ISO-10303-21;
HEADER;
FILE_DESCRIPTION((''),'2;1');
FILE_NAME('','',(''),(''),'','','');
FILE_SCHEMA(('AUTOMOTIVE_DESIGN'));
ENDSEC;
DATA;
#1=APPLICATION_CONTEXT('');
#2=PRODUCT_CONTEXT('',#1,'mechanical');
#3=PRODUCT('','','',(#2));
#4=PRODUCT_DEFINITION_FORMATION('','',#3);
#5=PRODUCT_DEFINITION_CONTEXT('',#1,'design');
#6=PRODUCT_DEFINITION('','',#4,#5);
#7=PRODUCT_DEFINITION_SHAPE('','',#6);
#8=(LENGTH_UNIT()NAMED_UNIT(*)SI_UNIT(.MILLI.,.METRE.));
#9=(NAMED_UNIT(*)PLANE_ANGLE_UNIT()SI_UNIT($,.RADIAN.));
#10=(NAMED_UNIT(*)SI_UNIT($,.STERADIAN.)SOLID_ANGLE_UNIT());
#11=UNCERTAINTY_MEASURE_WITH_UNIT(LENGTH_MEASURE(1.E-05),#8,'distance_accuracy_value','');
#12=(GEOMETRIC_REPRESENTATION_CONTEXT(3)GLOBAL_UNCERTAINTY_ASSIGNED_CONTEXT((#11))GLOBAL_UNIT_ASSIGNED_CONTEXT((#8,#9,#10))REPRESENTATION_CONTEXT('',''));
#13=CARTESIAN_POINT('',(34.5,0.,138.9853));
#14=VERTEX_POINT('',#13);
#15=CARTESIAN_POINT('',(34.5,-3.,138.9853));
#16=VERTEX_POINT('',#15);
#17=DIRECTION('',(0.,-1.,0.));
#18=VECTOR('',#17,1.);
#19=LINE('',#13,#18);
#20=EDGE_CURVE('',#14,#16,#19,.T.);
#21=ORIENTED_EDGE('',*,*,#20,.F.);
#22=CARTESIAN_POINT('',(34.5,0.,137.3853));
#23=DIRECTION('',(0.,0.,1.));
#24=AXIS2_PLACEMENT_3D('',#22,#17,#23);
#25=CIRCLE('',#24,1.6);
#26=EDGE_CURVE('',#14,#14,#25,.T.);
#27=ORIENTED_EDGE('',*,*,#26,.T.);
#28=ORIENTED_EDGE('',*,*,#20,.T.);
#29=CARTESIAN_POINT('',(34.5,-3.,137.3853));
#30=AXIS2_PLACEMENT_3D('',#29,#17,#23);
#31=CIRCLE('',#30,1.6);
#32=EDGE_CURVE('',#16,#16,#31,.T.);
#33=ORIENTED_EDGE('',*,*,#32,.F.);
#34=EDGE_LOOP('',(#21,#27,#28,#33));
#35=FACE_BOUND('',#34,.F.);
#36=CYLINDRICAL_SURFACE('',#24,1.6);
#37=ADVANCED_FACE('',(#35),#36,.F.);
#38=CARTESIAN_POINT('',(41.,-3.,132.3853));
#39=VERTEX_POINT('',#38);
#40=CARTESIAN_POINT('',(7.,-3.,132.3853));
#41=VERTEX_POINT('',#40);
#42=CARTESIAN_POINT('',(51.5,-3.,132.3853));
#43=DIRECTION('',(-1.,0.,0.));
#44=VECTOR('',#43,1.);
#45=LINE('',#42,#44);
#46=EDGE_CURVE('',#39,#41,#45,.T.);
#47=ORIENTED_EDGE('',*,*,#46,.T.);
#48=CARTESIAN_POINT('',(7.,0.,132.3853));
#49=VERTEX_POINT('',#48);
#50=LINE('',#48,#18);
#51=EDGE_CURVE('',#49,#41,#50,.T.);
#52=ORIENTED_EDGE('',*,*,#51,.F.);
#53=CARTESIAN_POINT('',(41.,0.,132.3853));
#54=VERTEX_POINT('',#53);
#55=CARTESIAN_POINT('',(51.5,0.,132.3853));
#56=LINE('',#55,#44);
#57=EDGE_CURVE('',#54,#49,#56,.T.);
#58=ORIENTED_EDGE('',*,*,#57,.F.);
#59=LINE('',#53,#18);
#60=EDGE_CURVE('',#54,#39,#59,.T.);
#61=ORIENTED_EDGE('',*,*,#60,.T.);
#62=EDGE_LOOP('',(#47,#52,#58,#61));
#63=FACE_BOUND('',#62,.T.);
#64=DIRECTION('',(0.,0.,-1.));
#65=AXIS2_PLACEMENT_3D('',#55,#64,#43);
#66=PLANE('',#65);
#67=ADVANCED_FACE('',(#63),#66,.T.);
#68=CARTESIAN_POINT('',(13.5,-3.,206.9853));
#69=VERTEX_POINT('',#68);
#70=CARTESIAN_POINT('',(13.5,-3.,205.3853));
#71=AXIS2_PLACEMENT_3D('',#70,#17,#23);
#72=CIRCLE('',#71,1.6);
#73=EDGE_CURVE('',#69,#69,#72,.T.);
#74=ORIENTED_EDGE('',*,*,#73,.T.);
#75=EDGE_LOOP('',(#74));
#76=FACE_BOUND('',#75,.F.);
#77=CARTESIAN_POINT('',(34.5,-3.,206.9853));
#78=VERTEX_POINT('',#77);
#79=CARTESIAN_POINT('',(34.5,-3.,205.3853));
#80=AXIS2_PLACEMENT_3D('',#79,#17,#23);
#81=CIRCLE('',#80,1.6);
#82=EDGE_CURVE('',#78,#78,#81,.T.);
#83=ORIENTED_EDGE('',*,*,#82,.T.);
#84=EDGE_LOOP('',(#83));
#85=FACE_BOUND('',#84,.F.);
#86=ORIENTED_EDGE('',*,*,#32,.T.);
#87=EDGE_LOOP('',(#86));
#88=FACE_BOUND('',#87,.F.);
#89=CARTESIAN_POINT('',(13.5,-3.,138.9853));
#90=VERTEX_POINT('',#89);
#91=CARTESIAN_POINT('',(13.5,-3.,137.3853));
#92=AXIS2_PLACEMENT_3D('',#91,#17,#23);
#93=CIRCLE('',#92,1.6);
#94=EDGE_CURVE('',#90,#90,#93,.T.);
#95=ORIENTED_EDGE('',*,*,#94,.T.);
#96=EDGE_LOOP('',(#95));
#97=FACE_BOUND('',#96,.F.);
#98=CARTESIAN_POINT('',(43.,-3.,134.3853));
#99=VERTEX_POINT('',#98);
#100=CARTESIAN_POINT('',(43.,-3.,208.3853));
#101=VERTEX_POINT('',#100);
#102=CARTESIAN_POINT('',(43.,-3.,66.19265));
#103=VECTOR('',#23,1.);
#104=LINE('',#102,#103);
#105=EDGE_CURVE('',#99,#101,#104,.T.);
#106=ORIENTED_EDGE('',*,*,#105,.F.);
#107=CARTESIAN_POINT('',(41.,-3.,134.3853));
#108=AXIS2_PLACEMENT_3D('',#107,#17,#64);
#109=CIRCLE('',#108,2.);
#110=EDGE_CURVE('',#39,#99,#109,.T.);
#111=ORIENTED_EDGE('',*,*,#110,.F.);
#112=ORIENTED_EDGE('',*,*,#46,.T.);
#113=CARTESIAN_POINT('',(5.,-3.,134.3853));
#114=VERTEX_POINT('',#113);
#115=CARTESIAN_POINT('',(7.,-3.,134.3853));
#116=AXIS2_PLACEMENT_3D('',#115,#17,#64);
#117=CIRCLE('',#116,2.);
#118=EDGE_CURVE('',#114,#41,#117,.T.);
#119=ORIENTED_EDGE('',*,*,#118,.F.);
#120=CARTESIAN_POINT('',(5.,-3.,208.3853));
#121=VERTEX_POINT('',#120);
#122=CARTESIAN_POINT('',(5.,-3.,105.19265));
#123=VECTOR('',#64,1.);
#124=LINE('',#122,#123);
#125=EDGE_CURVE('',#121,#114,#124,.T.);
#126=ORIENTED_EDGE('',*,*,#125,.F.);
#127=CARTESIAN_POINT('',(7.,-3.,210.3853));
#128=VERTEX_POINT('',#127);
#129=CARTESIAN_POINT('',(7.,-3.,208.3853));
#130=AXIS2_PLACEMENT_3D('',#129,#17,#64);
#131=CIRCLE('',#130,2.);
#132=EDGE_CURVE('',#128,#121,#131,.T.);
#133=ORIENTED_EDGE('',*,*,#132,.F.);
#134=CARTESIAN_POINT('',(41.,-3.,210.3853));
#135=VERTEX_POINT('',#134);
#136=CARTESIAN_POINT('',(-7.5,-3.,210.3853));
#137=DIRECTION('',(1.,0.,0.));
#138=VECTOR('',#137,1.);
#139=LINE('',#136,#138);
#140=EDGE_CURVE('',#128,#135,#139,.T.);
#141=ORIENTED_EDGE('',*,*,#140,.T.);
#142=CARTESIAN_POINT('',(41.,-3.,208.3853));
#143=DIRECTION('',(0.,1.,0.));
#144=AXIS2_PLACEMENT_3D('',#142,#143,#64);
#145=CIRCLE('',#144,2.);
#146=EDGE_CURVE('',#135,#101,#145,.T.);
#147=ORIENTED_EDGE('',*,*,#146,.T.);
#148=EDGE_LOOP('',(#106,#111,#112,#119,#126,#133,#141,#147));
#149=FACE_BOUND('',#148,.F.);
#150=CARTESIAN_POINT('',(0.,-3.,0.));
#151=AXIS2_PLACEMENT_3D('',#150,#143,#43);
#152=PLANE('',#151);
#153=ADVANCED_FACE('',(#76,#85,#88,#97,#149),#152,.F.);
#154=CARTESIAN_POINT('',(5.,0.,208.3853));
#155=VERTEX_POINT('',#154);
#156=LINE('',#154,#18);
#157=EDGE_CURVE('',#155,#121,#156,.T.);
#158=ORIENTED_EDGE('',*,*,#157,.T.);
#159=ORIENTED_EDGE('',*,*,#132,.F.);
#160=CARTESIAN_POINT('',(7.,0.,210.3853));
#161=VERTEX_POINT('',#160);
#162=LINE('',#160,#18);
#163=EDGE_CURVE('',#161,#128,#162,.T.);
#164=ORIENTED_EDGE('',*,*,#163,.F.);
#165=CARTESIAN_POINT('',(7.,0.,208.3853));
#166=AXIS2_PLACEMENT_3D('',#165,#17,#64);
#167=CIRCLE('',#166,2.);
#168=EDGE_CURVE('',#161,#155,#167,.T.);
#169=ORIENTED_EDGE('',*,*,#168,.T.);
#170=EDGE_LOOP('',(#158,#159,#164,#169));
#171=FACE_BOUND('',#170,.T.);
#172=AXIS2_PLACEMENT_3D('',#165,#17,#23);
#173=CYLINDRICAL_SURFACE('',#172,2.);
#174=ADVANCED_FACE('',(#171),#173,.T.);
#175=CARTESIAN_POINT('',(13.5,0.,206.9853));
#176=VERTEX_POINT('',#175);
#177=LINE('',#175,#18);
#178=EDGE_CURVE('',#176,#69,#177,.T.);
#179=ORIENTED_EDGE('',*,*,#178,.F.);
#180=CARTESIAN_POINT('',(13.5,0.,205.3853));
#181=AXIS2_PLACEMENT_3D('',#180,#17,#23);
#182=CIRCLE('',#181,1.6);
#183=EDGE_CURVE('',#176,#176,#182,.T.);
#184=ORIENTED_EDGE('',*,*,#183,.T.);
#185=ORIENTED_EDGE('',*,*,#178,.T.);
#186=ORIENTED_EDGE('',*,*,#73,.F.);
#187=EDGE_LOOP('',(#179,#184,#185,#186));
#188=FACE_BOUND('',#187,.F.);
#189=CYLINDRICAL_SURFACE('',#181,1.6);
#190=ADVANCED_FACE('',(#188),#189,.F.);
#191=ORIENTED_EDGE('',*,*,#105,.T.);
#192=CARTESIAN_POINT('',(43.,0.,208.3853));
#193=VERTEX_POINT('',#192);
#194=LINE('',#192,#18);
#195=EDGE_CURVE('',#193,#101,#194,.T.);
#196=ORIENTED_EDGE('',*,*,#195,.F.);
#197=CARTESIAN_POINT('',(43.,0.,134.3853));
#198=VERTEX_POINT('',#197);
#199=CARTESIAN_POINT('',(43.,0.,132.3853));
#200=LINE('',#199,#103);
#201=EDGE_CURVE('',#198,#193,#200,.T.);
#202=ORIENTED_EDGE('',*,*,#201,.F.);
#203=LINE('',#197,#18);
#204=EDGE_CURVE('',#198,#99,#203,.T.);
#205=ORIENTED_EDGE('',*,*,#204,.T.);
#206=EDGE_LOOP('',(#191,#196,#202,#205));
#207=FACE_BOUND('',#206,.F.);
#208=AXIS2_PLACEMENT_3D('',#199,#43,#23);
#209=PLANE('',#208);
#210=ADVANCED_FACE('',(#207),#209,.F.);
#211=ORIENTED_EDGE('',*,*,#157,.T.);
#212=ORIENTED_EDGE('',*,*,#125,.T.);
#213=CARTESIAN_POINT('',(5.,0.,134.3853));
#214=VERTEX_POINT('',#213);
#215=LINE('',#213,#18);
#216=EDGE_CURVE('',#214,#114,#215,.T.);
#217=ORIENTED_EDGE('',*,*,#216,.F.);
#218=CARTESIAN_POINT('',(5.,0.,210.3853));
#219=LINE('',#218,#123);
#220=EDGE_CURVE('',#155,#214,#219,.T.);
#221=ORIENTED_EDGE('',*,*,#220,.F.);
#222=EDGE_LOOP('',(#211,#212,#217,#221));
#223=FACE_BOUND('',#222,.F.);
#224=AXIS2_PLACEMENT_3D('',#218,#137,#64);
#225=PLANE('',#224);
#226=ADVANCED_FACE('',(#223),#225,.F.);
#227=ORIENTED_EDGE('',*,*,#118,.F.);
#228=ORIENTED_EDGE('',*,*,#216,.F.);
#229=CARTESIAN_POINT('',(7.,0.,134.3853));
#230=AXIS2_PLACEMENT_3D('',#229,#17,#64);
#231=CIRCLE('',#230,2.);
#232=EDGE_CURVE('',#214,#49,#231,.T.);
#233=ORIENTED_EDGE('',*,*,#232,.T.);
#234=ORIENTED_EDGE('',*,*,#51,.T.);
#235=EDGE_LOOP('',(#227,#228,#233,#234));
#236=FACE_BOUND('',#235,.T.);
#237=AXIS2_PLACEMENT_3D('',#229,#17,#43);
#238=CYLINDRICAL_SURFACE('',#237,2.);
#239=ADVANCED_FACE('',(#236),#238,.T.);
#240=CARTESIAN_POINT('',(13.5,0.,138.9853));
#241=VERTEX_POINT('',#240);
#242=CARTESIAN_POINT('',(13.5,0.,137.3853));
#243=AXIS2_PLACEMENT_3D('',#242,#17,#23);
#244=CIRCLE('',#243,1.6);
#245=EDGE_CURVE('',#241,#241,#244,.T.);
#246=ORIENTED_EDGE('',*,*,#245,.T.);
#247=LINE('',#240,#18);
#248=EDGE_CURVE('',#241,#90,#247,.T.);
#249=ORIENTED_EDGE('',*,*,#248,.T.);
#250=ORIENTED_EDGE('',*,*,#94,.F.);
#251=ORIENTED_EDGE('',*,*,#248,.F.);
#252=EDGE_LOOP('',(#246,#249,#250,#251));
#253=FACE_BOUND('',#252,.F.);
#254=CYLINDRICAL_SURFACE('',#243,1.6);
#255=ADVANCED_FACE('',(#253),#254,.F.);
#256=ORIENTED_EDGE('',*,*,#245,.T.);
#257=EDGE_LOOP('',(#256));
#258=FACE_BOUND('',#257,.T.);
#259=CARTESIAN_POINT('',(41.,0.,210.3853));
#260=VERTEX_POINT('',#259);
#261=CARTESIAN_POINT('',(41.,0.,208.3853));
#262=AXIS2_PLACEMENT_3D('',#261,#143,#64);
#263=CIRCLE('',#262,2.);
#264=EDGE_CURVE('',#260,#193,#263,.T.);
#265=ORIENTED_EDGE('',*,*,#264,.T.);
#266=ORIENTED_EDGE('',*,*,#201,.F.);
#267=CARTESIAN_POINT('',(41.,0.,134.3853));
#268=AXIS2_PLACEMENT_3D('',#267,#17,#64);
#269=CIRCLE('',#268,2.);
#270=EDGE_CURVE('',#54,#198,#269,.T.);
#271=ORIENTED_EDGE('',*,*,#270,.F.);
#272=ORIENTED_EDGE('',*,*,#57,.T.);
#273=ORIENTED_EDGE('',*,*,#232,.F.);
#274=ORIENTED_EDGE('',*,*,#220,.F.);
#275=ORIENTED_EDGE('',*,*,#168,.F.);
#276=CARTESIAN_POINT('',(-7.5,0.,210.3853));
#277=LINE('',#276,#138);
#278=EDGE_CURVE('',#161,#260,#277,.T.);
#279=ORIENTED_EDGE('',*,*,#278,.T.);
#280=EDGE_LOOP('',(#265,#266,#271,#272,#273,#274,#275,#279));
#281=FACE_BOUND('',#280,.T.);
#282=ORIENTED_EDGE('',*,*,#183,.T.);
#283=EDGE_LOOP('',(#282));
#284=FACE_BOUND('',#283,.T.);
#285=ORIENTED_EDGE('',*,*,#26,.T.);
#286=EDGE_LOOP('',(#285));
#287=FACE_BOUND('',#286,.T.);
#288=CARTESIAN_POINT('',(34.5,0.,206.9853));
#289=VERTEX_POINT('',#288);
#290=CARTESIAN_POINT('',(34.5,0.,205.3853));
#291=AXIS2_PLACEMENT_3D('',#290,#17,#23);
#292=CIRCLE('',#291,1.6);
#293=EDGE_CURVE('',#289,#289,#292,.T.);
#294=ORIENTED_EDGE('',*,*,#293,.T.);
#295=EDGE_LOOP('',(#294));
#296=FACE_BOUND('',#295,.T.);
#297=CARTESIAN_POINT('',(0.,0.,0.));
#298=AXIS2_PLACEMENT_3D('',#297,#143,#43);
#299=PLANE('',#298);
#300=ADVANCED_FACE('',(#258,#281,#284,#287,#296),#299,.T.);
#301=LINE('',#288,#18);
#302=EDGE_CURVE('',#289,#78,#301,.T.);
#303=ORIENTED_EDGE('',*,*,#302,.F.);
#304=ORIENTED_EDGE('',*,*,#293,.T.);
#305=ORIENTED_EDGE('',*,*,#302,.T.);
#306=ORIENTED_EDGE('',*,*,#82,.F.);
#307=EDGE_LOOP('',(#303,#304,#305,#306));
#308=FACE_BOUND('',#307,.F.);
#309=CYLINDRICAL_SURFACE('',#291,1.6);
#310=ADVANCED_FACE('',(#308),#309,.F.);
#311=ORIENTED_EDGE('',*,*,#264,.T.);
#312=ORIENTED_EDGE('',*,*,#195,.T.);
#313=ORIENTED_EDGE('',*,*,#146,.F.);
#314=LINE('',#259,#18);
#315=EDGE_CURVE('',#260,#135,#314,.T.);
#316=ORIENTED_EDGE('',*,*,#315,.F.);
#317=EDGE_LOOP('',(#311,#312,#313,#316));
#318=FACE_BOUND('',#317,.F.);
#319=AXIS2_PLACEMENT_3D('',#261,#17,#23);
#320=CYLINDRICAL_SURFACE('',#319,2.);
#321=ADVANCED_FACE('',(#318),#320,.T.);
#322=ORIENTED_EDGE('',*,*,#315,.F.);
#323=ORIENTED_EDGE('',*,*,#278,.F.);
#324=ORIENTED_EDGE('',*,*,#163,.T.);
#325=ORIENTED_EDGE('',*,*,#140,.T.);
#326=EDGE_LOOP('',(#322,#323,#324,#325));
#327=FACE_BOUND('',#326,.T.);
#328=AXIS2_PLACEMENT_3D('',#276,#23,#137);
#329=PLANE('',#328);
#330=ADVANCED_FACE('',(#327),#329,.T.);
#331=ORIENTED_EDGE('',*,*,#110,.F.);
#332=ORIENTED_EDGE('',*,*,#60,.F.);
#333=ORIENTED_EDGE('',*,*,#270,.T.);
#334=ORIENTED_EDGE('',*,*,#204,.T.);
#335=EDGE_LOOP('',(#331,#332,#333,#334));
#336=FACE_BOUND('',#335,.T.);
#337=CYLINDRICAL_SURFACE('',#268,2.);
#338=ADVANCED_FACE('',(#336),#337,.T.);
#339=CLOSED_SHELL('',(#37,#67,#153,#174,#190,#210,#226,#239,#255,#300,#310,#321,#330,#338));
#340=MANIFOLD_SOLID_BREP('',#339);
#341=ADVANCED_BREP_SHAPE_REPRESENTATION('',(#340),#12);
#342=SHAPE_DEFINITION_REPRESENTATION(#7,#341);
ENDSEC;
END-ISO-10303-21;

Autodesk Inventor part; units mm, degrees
ref_plane "YZ Plane" through (0, 0, 0) normal (1, 0, 0) x (0, 1, 0)
ref_plane "XZ Plane" through (0, 0, 0) normal (0, 1, 0) x (-1, 0, 0)
ref_plane "XY Plane" through (0, 0, 0) normal (0, 0, 1) x (1, 0, 0)
sketch "Sketch1" plane through (0, 0, 0) normal (0, 1, 0) x (-1, 0, 0)
  line L0 (-43.5, 202.3853) -> (-0.5, 202.3853) construction
  line L1 (-0.5, 202.3853) -> (-0.5, 140.3853) construction
  line L2 (-0.5, 140.3853) -> (-43.5, 140.3853) construction
  line L3 (-43.5, 140.3853) -> (-43.5, 202.3853) construction
  line L4 (0, 112) -> (0, 260) construction
  line L5 (2.5, 205.3853) -> (-46.5, 205.3853) construction
  line L6 (-46.5, 205.3853) -> (-46.5, 137.3853) construction
  line L7 (-46.5, 137.3853) -> (2.5, 137.3853) construction
  line L8 (2.5, 137.3853) -> (2.5, 205.3853) construction
  line L9 (21.9355, 171.3853) -> (-82.4794, 171.3853) construction
  line L10 (-22, 245.5328) -> (-22, 103.5673) construction
  line L11 (-51.5, 132.3853) -> (7.5, 132.3853)
  line L12 (7.5, 132.3853) -> (7.5, 210.3853)
  line L13 (7.5, 210.3853) -> (-51.5, 210.3853)
  line L14 (-51.5, 210.3853) -> (-51.5, 132.3853)
  line L15 (-51.5, 132.3853) -> (7.5, 210.3853) construction
  line L16 (7.5, 132.3853) -> (-51.5, 210.3853) construction
  point P0 (0, 0)
  point P1 (0, 0)
  point P2 (-13.5, 205.3853)
  point P3 (-34.5, 205.3853)
  point P4 (-46.5, 183.3853)
  point P5 (-46.5, 159.3853)
  point P6 (-34.5, 137.3853)
  point P7 (-13.5, 137.3853)
  point P8 (2.5, 171.3853)
  point P9 (-22, 137.3853)
  point P10 (-22, 171.3853)
  point P11 (0, 132.3853)
  point P12 (0, 210.3853)
  point P13 (-13.5, 205.3853)
  point P14 (-34.5, 205.3853)
  point P15 (-46.5, 183.3853)
  point P16 (-46.5, 159.3853)
  point P17 (-34.5, 137.3853)
  point P18 (-13.5, 137.3853)
  point P19 (2.5, 183.3853)
  point P20 (2.5, 159.3853)
  dimension "d0" = 43
  dimension "d1" = 62
  dimension "d2" = 0.5
  dimension "d3" = 3
  dimension "d4" = 12
  dimension "d5" = 21
  dimension "d6" = 21
  dimension "d7" = 12
  dimension "d8" = 22
  dimension "d9" = 22
  dimension "d10" = 5
  dimension "d11" = 5
  dimension "d28" = 22
  dimension "d29" = 22
extrude "Extrusion1" add sketch "Sketch1" against normal blind 3
hole "Hole1" at (34.5, 0, 137.3853) at (13.5, 0, 137.3853) at (46.5, 0, 159.3853) at (46.5, 0, 183.3853) at (34.5, 0, 205.3853) at (-2.5, 0, 159.3853) at (-2.5, 0, 183.3853) at (13.5, 0, 205.3853) direction (0, -1, 0) diameter 3.2 end through all
fillet "Fillet1" radius 2 4 edges at (-7.5, -1.5, 210.3853) (51.5, -1.5, 210.3853) (51.5, -1.5, 132.3853) (-7.5, -1.5, 132.3853)
sketch "Sketch2" plane through (0, 0, 0) normal (0, 1, 0) x (1, 0, 0)
  line L0 (49.5, -132.3853) -> (-5.5, -132.3853) projected
  line L1 (-5.5, -210.3853) -> (49.5, -210.3853) projected
  line L2 (5, -132.3853) -> (43, -132.3853)
  line L3 (43, -132.3853) -> (43, -210.3853)
  line L4 (43, -210.3853) -> (5, -210.3853)
  line L5 (5, -210.3853) -> (5, -132.3853)
  arc A0 (-5.5, -132.3853) -> (-7.5, -134.3853) centre (-5.5, -134.3853) ccw projected
  line L6 (-7.5, -134.3853) -> (-7.5, -208.3853) projected
  arc A1 (-7.5, -208.3853) -> (-5.5, -210.3853) centre (-5.5, -208.3853) ccw projected
  line L7 (-5.5, -210.3853) -> (49.5, -210.3853) projected
  arc A2 (49.5, -210.3853) -> (51.5, -208.3853) centre (49.5, -208.3853) ccw projected
  line L8 (51.5, -208.3853) -> (51.5, -134.3853) projected
  arc A3 (51.5, -134.3853) -> (49.5, -132.3853) centre (49.5, -134.3853) ccw projected
  line L9 (49.5, -132.3853) -> (-5.5, -132.3853) projected
  circle A4 centre (-2.5, -183.3853) radius 1.6 projected
  circle A5 centre (34.5, -205.3853) radius 1.6 projected
  circle A6 centre (46.5, -159.3853) radius 1.6 projected
  circle A7 centre (34.5, -137.3853) radius 1.6 projected
  circle A8 centre (13.5, -137.3853) radius 1.6 projected
  circle A9 centre (46.5, -183.3853) radius 1.6 projected
  circle A10 centre (-2.5, -159.3853) radius 1.6 projected
  circle A11 centre (13.5, -205.3853) radius 1.6 projected
  line L10 (24, -128.4136) -> (24, -225.5788) construction
  point P0 (0, 0)
  point P1 (24, -132.3853)
  dimension "d31" = 38
  dimension "d32" = 10.5
  dimension "d34" = 21
extrude "Extrusion2" cut sketch "Sketch2" against normal through all contours A3 L8 A2 L1 L3 L0 | L5 L1 A1 L6 A0 L0
fillet "Fillet2" radius 2 4 edges at (5, -1.5, 210.3853) (43, -1.5, 210.3853) (43, -1.5, 132.3853) (5, -1.5, 132.3853)
equation "\"d32\" = 0.5 * d34"
properties part number "LiPo cover"
